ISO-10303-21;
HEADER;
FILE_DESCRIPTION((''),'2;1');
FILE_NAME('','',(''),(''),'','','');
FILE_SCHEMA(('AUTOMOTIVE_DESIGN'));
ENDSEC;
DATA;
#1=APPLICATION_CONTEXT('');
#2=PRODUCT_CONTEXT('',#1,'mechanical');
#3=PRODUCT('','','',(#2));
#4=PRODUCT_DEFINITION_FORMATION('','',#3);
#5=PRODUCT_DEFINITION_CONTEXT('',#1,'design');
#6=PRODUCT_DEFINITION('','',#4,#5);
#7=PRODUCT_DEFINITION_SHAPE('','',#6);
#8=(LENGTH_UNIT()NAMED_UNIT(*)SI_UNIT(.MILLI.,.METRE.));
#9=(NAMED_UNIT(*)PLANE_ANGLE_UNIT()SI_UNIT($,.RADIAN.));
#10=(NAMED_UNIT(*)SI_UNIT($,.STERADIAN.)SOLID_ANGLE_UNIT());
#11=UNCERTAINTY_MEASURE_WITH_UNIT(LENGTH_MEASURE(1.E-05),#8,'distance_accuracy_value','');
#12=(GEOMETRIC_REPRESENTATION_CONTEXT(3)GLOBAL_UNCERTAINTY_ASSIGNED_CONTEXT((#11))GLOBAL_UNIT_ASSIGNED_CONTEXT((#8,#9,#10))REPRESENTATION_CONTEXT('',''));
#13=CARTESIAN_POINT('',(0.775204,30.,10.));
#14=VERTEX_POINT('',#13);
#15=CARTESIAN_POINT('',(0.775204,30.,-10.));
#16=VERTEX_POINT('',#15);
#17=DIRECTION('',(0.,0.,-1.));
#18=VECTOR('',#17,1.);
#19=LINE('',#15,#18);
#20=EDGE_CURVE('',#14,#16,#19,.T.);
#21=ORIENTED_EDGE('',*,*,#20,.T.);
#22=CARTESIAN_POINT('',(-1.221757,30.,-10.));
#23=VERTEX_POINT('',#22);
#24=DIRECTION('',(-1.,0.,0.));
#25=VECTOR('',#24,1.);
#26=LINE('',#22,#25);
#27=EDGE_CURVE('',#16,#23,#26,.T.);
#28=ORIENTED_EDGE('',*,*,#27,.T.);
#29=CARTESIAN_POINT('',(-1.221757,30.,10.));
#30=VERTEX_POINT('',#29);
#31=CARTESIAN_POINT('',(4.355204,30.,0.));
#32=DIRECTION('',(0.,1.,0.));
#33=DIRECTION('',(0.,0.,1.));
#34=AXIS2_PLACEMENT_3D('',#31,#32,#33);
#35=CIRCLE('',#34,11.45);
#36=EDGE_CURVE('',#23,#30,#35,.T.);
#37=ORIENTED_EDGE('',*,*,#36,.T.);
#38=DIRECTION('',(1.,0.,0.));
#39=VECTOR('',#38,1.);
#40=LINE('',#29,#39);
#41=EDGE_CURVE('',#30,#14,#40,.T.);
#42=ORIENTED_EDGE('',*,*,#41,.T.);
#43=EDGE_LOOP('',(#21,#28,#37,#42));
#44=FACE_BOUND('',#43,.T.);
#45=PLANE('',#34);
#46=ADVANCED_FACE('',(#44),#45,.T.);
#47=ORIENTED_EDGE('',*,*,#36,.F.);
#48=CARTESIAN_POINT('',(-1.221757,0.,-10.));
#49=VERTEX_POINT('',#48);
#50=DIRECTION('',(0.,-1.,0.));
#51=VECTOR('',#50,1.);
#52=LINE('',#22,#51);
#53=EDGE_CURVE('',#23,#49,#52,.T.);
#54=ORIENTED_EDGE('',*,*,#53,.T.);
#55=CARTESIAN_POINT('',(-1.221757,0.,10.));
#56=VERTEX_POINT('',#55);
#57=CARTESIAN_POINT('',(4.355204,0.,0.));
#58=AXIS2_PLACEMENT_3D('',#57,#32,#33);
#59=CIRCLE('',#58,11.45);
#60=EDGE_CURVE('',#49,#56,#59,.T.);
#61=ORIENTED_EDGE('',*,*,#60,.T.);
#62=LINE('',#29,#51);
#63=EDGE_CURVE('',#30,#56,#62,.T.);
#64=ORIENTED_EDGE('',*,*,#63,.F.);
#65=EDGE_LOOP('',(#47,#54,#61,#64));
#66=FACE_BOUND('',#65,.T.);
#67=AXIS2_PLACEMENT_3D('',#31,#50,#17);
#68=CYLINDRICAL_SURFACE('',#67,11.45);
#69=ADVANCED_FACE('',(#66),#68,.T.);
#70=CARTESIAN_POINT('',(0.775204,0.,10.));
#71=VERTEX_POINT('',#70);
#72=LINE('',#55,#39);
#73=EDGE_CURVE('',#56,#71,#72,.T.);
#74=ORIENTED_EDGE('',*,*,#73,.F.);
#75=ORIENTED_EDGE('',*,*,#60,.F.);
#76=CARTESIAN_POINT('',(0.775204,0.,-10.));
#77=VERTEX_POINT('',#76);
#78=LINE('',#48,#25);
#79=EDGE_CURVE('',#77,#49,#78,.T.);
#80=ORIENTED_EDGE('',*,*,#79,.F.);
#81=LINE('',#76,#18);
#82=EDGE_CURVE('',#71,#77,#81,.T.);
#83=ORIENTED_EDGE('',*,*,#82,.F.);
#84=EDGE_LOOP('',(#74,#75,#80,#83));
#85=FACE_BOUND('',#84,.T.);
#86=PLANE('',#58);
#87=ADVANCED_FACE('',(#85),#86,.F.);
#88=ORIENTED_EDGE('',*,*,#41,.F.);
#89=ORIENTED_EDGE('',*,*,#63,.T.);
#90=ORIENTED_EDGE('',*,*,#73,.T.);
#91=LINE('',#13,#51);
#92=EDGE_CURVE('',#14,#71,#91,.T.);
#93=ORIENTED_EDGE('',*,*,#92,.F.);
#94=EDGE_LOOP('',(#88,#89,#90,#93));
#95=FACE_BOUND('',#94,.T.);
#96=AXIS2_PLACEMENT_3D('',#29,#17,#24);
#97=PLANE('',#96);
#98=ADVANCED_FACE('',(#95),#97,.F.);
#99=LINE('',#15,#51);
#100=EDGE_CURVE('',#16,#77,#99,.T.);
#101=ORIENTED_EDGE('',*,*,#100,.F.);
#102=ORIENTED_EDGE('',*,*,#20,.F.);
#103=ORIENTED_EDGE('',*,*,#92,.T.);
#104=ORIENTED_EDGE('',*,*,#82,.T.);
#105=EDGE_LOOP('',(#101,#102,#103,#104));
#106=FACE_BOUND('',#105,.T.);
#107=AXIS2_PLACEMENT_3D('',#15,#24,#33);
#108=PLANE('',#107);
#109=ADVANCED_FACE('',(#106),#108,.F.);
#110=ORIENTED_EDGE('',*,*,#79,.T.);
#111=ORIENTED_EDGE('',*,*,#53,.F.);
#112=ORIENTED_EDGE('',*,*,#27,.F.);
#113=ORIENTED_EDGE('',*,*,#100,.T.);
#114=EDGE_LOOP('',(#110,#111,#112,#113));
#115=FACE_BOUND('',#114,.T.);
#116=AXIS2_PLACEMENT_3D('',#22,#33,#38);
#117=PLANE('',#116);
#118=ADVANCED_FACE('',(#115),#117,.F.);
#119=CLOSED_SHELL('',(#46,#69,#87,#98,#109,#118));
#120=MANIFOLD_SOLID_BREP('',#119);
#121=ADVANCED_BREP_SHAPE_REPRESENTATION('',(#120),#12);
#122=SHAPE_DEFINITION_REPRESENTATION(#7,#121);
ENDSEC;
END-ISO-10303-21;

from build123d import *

# Parameters (mm, degrees)
EXTRUDE_1_DEPTH = 30


with BuildPart() as part:
    # 草图1 → 凸台-拉伸1 (new body)
    with BuildSketch(Plane(origin=(0, 0, 0), x_dir=(1, 0, 0), z_dir=(0, 1, 0))):
        with BuildLine():
            Line((-1.221757203, 10), (0.775204335, 10))
            Line((0.775204335, 10), (0.775204335, -10))
            Line((0.775204335, -10), (-1.221757203, -10))
            ThreePointArc((-1.221757203, -10), (-7.094795665, 0), (-1.221757203, 10))
        make_face()
    extrude(amount=EXTRUDE_1_DEPTH)


solid = part.part
